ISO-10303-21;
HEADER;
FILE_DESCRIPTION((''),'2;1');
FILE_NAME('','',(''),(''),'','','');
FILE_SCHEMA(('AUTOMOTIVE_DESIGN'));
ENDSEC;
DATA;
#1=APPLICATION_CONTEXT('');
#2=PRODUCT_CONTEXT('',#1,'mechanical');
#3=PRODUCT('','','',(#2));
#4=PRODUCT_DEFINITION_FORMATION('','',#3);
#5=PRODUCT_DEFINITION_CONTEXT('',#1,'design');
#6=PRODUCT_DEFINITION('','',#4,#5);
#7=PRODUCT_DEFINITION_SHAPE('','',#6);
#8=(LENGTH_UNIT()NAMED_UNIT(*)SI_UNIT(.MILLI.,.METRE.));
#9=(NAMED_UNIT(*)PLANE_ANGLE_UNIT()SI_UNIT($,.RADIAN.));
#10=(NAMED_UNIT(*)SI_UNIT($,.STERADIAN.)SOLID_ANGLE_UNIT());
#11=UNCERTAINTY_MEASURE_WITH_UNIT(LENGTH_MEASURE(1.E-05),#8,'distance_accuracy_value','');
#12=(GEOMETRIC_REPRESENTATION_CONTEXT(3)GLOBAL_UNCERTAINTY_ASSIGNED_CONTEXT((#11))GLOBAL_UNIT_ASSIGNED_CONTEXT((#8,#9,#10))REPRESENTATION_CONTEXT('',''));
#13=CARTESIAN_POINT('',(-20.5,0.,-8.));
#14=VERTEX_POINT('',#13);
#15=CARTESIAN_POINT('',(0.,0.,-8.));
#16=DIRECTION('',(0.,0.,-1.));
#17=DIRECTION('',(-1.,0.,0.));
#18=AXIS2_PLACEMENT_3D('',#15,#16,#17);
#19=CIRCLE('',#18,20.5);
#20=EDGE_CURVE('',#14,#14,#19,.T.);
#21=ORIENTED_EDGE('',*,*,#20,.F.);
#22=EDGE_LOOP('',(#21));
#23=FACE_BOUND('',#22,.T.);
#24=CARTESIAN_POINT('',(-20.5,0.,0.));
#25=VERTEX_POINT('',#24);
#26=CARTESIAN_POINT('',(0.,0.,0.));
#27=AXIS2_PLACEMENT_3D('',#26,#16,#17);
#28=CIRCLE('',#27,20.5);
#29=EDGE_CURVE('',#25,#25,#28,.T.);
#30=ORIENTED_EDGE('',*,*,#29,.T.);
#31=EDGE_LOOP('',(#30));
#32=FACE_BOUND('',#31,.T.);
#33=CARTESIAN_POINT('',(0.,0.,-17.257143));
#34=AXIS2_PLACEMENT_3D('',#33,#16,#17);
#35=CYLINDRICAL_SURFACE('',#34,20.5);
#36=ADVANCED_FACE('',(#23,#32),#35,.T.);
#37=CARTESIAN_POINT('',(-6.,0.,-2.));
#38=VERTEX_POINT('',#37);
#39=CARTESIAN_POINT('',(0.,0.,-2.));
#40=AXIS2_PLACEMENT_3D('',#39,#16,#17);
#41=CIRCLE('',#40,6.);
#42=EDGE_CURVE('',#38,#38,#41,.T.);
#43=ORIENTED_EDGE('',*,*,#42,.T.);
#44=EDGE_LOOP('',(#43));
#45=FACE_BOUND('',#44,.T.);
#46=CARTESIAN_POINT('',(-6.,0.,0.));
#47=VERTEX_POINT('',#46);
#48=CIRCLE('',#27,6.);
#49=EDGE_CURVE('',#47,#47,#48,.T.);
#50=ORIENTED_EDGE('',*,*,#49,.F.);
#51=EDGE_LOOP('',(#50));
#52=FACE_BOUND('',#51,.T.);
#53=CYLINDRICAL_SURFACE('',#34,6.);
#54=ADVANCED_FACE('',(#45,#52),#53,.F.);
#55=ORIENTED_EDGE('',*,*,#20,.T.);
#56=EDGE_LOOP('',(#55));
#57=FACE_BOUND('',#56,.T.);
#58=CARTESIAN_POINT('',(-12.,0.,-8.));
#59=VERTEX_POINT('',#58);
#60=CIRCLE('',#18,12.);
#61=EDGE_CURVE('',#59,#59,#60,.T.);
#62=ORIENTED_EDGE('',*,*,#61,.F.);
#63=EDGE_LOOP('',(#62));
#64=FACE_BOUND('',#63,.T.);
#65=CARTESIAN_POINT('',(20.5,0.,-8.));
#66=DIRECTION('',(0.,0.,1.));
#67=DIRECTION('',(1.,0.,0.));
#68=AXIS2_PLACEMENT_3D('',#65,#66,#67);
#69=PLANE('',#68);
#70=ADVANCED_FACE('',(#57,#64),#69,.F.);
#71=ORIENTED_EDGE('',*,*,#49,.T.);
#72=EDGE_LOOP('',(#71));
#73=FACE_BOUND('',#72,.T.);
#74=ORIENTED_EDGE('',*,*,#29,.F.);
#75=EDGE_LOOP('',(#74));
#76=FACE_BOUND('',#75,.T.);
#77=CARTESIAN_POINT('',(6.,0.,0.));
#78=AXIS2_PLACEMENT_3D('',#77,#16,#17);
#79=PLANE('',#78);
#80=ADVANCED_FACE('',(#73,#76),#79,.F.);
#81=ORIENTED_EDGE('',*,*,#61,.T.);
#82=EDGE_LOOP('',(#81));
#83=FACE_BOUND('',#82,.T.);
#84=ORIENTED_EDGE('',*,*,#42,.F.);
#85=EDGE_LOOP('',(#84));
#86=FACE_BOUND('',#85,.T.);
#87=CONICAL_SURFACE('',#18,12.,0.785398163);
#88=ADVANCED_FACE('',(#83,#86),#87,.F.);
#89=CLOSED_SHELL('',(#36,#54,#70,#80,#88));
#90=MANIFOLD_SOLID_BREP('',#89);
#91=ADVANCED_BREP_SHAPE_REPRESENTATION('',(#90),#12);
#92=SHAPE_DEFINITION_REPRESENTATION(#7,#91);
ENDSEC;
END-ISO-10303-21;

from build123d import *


with BuildPart() as part:
    # Sketch1 → Revolve1 (revolve)
    with BuildSketch(Plane(origin=(0, 0, 0), x_dir=(1, 0, 0), z_dir=(0, 1, 0)), mode=Mode.PRIVATE) as revolve1_sk:
        Polygon((6, 0), (20.5, 0), (20.5, 8), (12, 8), (6, 2), align=None)
    revolve(revolve1_sk.sketch.rotate(Axis((0, 0, -17.257142857), (0, 0, 1)), 180), axis=Axis((0, 0, -17.257142857), (0, 0, 1)))


solid = part.part
